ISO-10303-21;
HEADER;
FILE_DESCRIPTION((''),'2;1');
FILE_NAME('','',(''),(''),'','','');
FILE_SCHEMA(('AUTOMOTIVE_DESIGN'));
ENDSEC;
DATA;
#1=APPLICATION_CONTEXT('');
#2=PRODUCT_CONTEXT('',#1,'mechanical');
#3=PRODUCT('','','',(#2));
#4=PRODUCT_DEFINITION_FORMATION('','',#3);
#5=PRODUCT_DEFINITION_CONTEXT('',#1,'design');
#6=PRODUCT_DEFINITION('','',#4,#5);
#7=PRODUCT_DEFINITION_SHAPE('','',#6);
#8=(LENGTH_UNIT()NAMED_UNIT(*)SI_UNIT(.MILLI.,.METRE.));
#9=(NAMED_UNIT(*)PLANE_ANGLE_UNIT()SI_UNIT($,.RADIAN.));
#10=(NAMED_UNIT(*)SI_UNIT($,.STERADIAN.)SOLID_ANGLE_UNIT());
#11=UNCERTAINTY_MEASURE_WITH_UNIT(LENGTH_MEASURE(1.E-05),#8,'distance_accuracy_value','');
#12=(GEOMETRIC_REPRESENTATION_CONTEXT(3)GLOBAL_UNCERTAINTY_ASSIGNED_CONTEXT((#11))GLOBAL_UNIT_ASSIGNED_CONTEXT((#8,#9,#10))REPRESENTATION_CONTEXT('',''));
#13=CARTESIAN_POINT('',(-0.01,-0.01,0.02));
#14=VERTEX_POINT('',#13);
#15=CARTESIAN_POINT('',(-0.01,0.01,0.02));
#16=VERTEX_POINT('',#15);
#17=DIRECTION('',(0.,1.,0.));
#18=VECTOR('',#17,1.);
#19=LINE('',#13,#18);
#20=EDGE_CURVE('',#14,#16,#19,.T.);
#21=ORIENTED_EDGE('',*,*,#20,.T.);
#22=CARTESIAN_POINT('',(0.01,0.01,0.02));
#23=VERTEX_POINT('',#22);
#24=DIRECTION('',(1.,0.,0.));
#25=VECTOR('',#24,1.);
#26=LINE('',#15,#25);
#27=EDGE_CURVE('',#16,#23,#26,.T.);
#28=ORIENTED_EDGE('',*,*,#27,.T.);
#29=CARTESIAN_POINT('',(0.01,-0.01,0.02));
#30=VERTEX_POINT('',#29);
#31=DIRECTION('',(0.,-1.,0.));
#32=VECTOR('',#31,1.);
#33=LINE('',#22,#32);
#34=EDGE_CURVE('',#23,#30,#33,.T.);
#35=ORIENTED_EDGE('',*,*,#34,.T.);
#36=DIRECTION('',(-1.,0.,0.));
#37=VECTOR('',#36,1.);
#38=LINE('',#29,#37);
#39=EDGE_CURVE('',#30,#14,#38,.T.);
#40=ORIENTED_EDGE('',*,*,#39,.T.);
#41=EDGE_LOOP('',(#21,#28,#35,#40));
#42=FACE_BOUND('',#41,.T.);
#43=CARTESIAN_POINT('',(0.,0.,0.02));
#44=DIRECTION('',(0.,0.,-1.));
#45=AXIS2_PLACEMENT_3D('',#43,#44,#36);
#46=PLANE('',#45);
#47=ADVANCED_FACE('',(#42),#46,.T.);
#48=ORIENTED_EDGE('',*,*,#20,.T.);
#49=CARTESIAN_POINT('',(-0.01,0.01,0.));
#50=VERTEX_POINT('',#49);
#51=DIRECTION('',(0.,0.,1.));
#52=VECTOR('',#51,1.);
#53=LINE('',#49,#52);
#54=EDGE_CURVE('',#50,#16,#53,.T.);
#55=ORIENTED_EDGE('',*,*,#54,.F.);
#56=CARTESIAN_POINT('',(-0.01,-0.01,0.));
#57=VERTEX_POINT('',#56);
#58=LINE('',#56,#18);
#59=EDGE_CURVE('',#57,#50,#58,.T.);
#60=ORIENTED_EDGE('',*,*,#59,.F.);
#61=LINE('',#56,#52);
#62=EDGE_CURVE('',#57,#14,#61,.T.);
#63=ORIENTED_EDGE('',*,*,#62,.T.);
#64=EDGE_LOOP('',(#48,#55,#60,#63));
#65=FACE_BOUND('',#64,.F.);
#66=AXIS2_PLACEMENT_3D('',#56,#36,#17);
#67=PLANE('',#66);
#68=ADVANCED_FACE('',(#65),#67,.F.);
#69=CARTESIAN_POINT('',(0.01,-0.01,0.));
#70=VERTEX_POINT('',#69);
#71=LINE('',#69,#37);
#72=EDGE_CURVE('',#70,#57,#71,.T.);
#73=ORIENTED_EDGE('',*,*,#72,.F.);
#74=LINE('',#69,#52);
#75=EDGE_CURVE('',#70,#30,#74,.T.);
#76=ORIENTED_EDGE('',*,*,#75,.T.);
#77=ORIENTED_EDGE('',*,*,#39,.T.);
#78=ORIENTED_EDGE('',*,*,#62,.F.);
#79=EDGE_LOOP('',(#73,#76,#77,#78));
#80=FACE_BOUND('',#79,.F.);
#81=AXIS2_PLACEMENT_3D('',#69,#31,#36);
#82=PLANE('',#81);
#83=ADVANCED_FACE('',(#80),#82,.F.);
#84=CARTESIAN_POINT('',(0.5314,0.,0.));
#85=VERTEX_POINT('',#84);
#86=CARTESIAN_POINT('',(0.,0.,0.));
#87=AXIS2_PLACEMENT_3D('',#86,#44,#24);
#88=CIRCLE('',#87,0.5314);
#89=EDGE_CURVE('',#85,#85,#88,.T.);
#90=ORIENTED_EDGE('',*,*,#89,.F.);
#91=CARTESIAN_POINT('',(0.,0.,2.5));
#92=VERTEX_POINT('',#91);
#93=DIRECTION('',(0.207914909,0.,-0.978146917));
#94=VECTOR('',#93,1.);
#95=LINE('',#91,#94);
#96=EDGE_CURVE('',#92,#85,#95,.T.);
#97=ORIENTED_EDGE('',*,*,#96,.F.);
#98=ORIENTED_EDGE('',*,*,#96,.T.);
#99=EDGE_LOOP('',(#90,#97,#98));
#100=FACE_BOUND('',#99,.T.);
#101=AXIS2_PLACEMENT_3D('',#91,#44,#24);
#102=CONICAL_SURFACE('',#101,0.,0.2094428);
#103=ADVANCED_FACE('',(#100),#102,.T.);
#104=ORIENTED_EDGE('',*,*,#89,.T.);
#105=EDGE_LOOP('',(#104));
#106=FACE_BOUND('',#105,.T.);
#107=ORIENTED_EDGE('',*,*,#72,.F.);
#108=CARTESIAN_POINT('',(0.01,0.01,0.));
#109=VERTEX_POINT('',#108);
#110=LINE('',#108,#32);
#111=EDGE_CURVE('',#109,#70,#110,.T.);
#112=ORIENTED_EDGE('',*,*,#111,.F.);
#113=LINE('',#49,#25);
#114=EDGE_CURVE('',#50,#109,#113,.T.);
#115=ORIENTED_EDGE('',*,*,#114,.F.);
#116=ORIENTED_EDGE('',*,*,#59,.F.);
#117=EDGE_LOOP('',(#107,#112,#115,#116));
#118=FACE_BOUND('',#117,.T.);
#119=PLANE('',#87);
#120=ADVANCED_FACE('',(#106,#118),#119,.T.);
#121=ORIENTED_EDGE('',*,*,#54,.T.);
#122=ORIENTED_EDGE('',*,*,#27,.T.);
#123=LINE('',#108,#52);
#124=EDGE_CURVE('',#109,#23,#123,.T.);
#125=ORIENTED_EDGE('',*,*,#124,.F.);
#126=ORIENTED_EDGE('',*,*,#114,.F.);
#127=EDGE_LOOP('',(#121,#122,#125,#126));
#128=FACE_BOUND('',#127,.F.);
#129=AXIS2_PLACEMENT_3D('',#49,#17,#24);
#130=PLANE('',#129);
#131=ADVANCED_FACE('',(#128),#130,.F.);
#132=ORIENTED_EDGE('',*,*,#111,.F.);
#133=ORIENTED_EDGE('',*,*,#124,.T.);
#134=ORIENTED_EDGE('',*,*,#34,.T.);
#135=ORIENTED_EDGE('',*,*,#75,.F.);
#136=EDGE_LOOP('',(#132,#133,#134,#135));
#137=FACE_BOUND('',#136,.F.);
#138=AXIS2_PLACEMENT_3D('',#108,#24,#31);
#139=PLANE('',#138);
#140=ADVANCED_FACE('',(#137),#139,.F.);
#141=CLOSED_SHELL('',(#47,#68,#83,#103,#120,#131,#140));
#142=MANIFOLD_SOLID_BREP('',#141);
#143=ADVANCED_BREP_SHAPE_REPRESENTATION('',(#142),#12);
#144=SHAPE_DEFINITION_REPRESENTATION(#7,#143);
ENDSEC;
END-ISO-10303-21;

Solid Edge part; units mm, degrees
sketch "Sketch1" plane through (0, 0, 0) normal (0, -1, 0) x (1, 0, 0)
  line L0 (0, 0) -> (0, 2.5)
  line L1 (0, 2.5) -> (0.5314, 0)
  line L2 (0.5314, 0) -> (0, 0)
  dimension "D1" = 2.5
revolve "RevolvedProtrusion1" add sketch "Sketch1" angle 360 about axis through (0, 0, 54) along (0, 0, -1)
sketch "Sketch2" plane through (0, 0, 0) normal (0, 0, -1) x (-1, 0, 0)
  line L0 (-0.01, -0.01) -> (0.01, -0.01)
  line L1 (0.01, -0.01) -> (0.01, 0.01)
  line L2 (0.01, 0.01) -> (-0.01, 0.01)
  line L3 (-0.01, 0.01) -> (-0.01, -0.01)
  dimension "D1" = 0.02
extrude "Cutout1" cut sketch "Sketch2" against normal blind 0.02
